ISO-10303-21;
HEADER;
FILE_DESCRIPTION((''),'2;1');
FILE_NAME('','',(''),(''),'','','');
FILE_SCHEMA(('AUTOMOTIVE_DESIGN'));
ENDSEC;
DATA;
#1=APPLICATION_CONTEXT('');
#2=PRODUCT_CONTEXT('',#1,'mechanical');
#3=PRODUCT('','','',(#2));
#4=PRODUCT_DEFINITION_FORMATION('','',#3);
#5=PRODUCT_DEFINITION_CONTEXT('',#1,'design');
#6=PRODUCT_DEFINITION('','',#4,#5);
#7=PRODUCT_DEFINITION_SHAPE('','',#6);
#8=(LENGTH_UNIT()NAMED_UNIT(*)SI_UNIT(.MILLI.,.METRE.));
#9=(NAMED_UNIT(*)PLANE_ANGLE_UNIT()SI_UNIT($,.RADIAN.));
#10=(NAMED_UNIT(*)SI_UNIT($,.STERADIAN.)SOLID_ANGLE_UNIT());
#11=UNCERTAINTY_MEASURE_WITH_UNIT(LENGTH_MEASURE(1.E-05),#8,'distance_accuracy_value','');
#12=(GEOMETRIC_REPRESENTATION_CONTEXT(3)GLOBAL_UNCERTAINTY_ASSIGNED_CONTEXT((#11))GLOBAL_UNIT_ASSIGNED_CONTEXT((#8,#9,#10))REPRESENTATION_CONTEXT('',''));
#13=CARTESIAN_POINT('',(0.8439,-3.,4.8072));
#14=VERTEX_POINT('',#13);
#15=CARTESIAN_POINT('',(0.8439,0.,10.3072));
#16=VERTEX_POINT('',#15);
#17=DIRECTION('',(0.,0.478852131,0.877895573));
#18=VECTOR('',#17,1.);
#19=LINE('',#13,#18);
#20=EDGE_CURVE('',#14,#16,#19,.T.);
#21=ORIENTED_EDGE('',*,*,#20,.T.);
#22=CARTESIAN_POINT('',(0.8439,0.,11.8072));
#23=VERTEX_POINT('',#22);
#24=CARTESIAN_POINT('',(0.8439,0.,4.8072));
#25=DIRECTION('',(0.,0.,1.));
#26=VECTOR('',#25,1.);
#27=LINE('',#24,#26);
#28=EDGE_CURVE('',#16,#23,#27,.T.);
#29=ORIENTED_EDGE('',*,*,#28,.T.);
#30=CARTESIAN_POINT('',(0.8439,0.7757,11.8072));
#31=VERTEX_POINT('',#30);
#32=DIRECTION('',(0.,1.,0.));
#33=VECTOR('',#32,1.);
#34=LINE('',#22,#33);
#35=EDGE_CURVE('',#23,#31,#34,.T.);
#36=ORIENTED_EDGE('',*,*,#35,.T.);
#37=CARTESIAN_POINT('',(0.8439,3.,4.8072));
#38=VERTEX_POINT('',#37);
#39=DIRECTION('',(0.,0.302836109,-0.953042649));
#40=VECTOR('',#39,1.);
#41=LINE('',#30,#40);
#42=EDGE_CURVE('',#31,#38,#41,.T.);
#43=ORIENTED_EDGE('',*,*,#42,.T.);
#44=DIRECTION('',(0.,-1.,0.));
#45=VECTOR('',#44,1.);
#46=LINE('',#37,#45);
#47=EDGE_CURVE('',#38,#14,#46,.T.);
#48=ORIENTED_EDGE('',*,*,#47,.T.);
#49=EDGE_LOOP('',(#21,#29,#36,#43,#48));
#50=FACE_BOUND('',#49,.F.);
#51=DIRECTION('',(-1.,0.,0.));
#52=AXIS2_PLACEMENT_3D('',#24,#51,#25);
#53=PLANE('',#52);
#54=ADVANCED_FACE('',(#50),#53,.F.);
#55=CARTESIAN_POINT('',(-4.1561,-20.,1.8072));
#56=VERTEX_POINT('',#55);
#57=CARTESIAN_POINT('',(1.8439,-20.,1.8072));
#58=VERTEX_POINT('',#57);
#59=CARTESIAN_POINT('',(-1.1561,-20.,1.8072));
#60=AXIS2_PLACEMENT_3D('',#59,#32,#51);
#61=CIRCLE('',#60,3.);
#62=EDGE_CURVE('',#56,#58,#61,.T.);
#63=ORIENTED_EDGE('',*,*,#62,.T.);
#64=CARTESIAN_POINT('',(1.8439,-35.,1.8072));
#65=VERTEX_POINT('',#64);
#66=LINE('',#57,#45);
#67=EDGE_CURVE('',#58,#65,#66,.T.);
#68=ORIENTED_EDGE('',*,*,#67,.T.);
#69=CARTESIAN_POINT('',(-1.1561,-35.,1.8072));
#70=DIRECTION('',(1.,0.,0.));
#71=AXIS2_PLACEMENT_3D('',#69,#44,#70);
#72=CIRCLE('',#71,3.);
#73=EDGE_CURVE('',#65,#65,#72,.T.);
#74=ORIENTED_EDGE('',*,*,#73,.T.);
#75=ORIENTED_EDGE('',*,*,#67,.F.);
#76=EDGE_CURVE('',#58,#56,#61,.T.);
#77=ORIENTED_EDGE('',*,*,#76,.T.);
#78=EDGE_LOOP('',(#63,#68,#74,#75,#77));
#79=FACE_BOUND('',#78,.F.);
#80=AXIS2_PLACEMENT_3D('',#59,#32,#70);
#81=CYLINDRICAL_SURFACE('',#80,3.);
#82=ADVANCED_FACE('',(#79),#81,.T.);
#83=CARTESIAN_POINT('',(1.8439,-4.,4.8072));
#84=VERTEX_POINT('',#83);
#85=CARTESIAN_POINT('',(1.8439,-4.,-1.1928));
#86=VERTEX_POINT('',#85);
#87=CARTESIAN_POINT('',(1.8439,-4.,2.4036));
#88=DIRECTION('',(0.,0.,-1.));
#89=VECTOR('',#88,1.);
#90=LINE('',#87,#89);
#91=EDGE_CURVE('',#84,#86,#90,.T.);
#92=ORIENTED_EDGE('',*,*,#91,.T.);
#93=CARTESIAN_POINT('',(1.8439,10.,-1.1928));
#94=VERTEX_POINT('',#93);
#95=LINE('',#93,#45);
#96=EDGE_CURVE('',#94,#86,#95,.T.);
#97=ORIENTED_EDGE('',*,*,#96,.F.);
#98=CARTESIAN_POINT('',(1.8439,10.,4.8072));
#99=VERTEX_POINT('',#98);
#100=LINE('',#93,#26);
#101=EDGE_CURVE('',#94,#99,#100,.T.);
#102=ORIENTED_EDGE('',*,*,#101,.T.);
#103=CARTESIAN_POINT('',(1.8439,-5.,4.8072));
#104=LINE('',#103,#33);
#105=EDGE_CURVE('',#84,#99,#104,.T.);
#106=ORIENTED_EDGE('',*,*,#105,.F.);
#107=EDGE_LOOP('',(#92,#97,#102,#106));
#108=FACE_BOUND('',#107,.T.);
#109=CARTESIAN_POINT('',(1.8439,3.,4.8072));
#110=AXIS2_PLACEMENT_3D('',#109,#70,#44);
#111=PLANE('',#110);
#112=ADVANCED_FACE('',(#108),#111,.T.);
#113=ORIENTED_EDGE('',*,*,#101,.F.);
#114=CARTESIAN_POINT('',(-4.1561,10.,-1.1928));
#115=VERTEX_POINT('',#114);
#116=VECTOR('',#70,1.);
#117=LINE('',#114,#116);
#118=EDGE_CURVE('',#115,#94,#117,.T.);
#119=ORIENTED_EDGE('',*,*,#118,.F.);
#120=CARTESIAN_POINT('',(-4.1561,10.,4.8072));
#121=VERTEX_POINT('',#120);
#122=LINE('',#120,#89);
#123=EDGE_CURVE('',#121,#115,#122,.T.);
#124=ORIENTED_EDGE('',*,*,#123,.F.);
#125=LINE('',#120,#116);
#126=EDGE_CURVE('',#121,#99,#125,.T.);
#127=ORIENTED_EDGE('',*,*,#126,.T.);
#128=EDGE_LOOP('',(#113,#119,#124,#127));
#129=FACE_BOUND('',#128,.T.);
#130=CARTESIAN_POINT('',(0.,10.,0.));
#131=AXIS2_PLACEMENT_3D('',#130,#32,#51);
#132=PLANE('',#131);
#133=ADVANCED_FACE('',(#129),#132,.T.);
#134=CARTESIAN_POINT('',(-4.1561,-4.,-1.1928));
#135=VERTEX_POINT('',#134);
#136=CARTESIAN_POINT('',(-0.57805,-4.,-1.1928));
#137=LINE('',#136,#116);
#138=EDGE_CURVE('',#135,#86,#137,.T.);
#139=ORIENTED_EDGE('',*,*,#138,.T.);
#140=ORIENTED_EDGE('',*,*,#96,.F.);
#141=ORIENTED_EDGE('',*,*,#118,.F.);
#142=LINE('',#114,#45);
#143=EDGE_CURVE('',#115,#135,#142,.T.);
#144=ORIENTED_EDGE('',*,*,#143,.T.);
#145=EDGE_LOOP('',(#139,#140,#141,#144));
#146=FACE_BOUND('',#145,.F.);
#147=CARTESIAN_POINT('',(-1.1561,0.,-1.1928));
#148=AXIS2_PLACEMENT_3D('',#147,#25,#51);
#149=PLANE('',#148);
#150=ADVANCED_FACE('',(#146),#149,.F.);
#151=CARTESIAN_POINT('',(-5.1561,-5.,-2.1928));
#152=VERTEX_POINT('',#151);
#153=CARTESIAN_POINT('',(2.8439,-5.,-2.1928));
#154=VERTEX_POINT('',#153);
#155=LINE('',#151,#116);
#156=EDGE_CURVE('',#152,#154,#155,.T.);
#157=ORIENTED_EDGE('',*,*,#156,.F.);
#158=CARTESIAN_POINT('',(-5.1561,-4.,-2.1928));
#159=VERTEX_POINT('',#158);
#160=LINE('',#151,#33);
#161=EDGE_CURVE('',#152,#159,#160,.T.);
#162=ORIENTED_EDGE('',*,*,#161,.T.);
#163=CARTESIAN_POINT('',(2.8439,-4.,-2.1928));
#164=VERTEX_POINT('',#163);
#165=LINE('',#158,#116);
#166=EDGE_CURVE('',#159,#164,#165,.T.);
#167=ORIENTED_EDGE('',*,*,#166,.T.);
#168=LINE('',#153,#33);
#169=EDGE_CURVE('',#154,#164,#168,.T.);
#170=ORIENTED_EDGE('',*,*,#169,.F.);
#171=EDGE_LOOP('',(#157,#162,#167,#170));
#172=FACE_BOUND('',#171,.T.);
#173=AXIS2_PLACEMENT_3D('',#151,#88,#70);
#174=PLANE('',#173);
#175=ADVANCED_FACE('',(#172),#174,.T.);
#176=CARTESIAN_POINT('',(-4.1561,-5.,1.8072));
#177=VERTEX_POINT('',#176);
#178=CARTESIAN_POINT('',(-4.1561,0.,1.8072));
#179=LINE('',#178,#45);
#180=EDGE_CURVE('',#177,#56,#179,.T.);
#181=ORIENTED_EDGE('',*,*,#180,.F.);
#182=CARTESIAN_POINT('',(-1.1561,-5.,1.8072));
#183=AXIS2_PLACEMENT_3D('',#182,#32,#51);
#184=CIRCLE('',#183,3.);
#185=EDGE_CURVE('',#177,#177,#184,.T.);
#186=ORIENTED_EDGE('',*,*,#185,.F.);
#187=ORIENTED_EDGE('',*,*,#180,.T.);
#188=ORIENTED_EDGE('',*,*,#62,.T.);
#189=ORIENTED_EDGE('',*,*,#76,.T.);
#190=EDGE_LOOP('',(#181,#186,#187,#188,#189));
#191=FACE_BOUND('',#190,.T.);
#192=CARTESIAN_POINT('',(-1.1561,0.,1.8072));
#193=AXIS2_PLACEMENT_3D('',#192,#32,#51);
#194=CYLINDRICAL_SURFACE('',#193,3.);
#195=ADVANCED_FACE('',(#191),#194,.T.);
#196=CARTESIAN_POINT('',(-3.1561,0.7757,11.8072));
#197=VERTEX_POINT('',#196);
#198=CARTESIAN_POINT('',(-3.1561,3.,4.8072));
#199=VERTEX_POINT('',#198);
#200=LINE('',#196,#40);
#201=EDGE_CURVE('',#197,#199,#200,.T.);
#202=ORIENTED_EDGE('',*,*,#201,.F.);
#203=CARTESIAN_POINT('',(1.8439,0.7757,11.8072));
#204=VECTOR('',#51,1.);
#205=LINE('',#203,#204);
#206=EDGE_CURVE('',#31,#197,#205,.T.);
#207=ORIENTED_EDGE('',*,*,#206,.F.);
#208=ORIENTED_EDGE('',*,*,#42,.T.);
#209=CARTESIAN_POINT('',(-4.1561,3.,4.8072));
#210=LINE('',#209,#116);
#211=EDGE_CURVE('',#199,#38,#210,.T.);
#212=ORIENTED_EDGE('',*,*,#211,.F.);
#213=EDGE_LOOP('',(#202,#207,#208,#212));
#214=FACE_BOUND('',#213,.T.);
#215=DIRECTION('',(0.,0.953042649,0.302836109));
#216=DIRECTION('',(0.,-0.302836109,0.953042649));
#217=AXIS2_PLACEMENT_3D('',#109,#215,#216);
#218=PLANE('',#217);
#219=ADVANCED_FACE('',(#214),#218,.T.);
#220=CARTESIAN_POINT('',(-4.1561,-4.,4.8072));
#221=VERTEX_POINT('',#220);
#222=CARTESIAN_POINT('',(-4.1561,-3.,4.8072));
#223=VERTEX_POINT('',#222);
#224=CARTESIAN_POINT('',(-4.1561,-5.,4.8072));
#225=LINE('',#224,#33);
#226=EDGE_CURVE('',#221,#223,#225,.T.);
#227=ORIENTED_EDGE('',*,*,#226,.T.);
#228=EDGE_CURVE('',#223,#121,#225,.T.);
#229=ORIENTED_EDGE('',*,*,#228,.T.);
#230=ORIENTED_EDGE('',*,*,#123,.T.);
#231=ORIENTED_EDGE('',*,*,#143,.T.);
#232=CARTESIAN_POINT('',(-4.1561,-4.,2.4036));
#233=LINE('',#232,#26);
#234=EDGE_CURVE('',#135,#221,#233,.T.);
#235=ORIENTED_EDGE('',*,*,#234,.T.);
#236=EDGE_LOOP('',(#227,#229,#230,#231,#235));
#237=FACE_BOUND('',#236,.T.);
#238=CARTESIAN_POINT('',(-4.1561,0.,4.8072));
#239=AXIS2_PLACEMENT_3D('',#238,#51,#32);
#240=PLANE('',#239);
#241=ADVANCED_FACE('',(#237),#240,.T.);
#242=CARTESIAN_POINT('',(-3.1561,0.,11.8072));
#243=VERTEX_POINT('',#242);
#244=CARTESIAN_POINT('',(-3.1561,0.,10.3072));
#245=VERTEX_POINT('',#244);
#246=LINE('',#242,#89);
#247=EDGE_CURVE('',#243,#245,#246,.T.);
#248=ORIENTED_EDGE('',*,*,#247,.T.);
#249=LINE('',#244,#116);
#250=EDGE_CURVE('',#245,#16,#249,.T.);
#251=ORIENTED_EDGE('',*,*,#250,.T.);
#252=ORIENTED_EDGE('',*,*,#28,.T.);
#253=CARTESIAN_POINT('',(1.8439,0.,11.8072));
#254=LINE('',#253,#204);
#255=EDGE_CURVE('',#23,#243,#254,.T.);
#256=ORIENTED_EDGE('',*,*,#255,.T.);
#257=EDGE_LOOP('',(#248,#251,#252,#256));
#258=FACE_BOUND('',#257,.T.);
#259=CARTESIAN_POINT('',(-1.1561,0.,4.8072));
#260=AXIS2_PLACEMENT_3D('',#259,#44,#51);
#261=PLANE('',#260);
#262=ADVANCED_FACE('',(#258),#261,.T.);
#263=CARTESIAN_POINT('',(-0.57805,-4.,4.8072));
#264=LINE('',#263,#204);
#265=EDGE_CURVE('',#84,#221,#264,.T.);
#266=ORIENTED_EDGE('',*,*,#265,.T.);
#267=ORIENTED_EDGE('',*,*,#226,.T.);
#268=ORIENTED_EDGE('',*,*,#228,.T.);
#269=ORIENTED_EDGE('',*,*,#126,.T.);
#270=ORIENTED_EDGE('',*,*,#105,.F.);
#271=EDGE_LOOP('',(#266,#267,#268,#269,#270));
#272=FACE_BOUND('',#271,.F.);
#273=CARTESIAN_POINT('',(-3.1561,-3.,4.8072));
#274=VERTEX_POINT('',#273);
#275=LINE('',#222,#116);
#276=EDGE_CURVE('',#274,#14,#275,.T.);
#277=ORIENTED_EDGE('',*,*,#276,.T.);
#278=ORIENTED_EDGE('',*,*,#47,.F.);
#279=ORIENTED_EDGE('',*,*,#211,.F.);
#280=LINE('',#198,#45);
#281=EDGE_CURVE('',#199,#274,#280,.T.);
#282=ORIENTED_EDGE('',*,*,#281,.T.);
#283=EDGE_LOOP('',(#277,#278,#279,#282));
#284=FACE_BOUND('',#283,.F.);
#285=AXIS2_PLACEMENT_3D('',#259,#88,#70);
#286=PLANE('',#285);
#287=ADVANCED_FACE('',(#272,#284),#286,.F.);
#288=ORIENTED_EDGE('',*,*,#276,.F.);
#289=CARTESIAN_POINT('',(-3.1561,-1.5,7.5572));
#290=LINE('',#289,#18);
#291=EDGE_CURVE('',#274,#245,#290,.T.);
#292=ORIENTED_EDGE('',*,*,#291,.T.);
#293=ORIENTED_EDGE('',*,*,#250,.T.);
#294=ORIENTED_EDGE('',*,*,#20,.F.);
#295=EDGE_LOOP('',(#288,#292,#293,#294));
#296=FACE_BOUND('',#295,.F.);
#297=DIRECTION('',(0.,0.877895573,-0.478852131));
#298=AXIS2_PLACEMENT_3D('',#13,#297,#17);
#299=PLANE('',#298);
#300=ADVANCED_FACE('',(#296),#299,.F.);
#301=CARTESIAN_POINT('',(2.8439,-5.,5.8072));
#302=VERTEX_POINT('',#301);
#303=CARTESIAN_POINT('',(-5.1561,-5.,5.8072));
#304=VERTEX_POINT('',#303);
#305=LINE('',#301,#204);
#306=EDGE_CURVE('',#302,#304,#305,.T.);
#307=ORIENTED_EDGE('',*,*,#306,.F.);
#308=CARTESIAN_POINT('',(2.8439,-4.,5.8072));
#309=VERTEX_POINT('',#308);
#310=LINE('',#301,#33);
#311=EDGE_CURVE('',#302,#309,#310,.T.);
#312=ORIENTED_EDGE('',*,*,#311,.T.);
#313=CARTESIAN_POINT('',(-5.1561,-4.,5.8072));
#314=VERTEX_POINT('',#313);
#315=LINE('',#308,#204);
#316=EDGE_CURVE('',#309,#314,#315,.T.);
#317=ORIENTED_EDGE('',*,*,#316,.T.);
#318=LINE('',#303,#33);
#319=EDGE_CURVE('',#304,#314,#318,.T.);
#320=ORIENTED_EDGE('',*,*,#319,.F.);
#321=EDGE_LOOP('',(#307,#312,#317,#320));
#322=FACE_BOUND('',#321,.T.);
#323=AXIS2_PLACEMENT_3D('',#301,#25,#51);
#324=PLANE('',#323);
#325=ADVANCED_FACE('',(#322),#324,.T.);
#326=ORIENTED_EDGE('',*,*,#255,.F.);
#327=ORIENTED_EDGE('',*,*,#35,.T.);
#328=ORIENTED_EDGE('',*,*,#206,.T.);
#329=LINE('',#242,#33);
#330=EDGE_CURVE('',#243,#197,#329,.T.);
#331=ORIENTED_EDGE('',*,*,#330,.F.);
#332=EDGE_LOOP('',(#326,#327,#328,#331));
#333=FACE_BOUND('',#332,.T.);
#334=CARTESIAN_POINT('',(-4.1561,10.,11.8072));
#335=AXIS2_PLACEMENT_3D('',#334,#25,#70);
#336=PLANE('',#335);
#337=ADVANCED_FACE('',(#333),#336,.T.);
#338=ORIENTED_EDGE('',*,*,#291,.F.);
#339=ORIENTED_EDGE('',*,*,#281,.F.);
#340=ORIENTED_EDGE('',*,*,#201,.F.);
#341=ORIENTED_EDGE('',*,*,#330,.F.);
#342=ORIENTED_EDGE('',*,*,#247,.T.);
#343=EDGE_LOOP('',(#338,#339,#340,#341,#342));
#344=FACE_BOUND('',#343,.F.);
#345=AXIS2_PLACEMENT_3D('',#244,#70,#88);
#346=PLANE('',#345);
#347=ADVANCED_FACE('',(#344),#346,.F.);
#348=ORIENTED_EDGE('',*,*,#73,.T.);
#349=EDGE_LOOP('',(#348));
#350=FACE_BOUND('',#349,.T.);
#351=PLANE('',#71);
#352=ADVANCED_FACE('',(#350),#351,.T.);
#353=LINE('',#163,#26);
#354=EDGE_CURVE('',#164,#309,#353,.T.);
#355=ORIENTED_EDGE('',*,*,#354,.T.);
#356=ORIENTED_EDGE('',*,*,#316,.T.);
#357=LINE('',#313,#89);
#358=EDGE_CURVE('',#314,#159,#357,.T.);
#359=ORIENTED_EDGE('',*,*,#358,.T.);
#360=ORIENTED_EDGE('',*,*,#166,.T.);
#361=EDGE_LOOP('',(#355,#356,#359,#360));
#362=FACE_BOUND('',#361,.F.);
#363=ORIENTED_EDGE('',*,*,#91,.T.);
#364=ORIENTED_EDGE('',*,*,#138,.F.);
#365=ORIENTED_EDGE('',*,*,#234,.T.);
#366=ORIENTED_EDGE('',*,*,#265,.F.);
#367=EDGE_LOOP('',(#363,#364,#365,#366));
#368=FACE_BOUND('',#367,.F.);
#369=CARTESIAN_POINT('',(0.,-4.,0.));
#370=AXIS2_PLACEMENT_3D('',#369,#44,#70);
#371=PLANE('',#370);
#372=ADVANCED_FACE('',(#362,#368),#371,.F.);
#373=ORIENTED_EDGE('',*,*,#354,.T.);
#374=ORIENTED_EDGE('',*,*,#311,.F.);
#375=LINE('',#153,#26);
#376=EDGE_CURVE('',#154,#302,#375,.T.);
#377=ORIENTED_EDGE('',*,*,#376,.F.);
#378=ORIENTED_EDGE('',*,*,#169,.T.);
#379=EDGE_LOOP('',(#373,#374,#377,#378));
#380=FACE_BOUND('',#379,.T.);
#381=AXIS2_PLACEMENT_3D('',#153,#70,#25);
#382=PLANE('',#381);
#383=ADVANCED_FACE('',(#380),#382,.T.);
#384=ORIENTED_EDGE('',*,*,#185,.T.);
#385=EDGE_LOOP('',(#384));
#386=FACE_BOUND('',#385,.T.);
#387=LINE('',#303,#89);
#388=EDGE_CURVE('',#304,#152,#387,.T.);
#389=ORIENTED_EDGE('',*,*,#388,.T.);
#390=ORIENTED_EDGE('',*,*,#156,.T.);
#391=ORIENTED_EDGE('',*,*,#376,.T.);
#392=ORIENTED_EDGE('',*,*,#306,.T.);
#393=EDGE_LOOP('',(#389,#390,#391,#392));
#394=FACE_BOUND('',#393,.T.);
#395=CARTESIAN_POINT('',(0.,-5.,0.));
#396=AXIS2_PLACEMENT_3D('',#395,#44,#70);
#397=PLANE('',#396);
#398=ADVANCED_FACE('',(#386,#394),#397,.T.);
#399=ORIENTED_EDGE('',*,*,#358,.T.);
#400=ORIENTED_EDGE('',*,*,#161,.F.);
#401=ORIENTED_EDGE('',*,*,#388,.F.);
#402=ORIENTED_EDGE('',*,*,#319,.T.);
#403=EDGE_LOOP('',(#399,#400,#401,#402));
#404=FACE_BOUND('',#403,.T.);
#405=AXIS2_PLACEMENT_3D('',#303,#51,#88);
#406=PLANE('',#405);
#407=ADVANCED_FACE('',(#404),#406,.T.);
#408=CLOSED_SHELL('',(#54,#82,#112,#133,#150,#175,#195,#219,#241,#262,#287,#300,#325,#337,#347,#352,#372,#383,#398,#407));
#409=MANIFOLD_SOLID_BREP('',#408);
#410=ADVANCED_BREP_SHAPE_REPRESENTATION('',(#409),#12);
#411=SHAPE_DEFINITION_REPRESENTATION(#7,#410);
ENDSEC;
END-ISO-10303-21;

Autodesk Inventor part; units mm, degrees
ref_plane "YZ Plane" through (0, 0, 0) normal (1, 0, 0) x (0, 1, 0)
ref_plane "XZ Plane" through (0, 0, 0) normal (0, 1, 0) x (-1, 0, 0)
ref_plane "XY Plane" through (0, 0, 0) normal (0, 0, 1) x (1, 0, 0)
sketch "Sketch1" plane through (0, 0, 0) normal (0, 1, 0) x (-1, 0, 0)
  circle A0 centre (1.1561, 1.8072) radius 3
  line L0 (4.1561, 4.8072) -> (-1.8439, 4.8072)
  line L1 (-1.8439, 4.8072) -> (-1.8439, -1.1928)
  line L2 (-1.8439, -1.1928) -> (4.1561, -1.1928)
  line L3 (4.1561, -1.1928) -> (4.1561, 4.8072)
  point P0 (0, 0)
  dimension "d0" = 6
extrude "Extrusion1" add sketch "Sketch1" along normal blind 10
extrude "Extrusion2" add sketch "Sketch1" against normal blind 20 contours A0
sketch "Sketch2" plane through (-4.1561, 10, 4.8072) normal (0, 0, 1) x (1, 0, 0)
  line L0 (0, -10) -> (0, 0) projected
  line L1 (6, -10) -> (0, -10)
  line L2 (0, -10) -> (0, -7)
  line L3 (0, -7) -> (6, -7)
  line L4 (6, -7) -> (6, -10)
  line L5 (0, 0) -> (6, 0) projected
  line L6 (0, -30) -> (6, -30) projected
  line L7 (3, -10) -> (6, -10) projected
  point P0 (4.1561, -10)
  dimension "d5" = 3
  dimension "d6" = 6
  dimension "d7" = 30
  dimension "d13" = 0
extrude "Extrusion3" add sketch "Sketch2" along normal blind 7
sketch "Sketch3" plane through (-4.1561, 0, -1.1928) normal (-1, 0, 0) x (0, 0, 1)
  line L0 (6, 3) -> (13, 3) projected
  line L1 (13, 3) -> (13, 0) projected
  arc A0 (9.5, 3) -> (13, 1.5) centre (12.6357, 5.4834) ccw
  point P0 (1.1928, 0)
  dimension "d10" = 4
extrude "Extrusion4" [suppressed]
fillet "Fillet1" [suppressed]
fillet "Fillet2" [suppressed]
fillet "Fillet3" [suppressed]
sketch "Sketch4" plane through (1.8439, 0, -1.1928) normal (1, 0, 0) x (0, 0, -1)
  line L0 (-6, 3) -> (-13, 3) projected
  line L1 (-6, 3) -> (-13, 0.7757)
  line L2 (-13, 3) -> (-13, 0) projected
  line L3 (-13, 0.7757) -> (-13, 3)
  line L4 (-6, 3) -> (-13, 3) projected
  line L5 (-13, 3) -> (-6, 3)
  point P0 (-1.1928, 0)
extrude "Extrusion5" cut sketch "Sketch4" against normal blind 10
sketch "Sketch5" plane through (0, 0, 0) normal (0, -1, 0) x (1, 0, 0)
  line L0 (-4.1561, 4.8072) -> (1.8439, 4.8072) projected
  line L1 (-4.1561, 11.8072) -> (1.8439, 11.8072) projected
  line L2 (1.8439, 4.8072) -> (0.8439, 4.8072)
  line L3 (0.8439, 4.8072) -> (0.8439, 11.8072)
  line L4 (0.8439, 11.8072) -> (1.8439, 11.8072)
  line L5 (1.8439, 11.8072) -> (1.8439, 4.8072)
  line L6 (-3.1561, 4.8072) -> (-4.1561, 4.8072)
  line L7 (-4.1561, 4.8072) -> (-4.1561, 11.8072)
  line L8 (-4.1561, 11.8072) -> (-3.1561, 11.8072)
  line L9 (-3.1561, 11.8072) -> (-3.1561, 4.8072)
  line L10 (-3.1561, 10.3072) -> (0.8439, 10.3072)
  point P0 (0, 0)
  dimension "d19" = 6
  dimension "d20" = 1
  dimension "d21" = 1
  dimension "d28" = 1.5
extrude "Extrusion6" cut sketch "Sketch5" against normal blind 10 contours L3 L1 L5 L0
extrude "Extrusion7" cut sketch "Sketch5" against normal blind 10 contours L7 L1 L9 L0
extrude "Extrusion8" add sketch "Sketch1" against normal blind 5 contours L3 L2 A0 | A0 L0 L3 | A0 L1 L0 | L2 L1 A0
sketch "Sketch6" plane through (0.8439, 0, 11.8072) normal (1, 0, 0) x (0, 0, -1)
  point P0 (11.8072, 0)
sketch "Sketch7" plane through (0.8439, 0, 11.8072) normal (1, 0, 0) x (0, 0, -1)
  point P0 (11.8072, 0)
extrude "Extrusion9" add sketch "Sketch5" along normal blind 3 contours L9 L10 L3 L0
sketch "Sketch9" plane through (0.8439, 0, 11.8072) normal (1, 0, 0) x (0, 0, -1)
  line L0 (7, -3) -> (1.5, 0)
  line L1 (1.5, 0) -> (7, 0)
  line L2 (7, -3) -> (7, 3) projected
  line L3 (1.5, 0) -> (1.5, -3) projected
  line L4 (1.5, -3) -> (7, -3)
  point P0 (11.8072, 0)
extrude "Extrusion10" cut sketch "Sketch9" against normal blind 5 contours L4 L3 L0
sketch "Sketch10" plane through (0, -5, 0) normal (0, -1, 0) x (1, 0, 0)
  line L0 (2.8439, 5.8072) -> (-5.1561, 5.8072)
  line L1 (-5.1561, 5.8072) -> (-5.1561, -2.1928)
  line L2 (-5.1561, -2.1928) -> (2.8439, -2.1928)
  line L3 (2.8439, -2.1928) -> (2.8439, 5.8072)
  line L4 (1.8439, 1.8072) -> (1.8439, 4.8072) projected
  line L5 (-1.1561, -1.1928) -> (1.8439, -1.1928) projected
  line L6 (1.8439, 4.8072) -> (-1.1561, 4.8072) projected
  line L7 (-4.1561, 4.8072) -> (-4.1561, 1.8072) projected
  point P0 (0, 0)
  dimension "d33" = 1
  dimension "d34" = 1
  dimension "d35" = 1
  dimension "d36" = 1
extrude "Extrusion11" add sketch "Sketch10" against normal blind 1
sketch "Sketch11" plane through (-1.1561, -20, 1.8072) normal (0, -1, 0) x (1, 0, 0)
  circle A0 centre (0, 0) radius 3
  circle A1 centre (0, 0) radius 3 projected
  point P0 (1.1561, -1.8072)
  dimension "d39" = 6
extrude "Extrusion12" add sketch "Sketch11" along normal blind 15
properties part number "pin"
